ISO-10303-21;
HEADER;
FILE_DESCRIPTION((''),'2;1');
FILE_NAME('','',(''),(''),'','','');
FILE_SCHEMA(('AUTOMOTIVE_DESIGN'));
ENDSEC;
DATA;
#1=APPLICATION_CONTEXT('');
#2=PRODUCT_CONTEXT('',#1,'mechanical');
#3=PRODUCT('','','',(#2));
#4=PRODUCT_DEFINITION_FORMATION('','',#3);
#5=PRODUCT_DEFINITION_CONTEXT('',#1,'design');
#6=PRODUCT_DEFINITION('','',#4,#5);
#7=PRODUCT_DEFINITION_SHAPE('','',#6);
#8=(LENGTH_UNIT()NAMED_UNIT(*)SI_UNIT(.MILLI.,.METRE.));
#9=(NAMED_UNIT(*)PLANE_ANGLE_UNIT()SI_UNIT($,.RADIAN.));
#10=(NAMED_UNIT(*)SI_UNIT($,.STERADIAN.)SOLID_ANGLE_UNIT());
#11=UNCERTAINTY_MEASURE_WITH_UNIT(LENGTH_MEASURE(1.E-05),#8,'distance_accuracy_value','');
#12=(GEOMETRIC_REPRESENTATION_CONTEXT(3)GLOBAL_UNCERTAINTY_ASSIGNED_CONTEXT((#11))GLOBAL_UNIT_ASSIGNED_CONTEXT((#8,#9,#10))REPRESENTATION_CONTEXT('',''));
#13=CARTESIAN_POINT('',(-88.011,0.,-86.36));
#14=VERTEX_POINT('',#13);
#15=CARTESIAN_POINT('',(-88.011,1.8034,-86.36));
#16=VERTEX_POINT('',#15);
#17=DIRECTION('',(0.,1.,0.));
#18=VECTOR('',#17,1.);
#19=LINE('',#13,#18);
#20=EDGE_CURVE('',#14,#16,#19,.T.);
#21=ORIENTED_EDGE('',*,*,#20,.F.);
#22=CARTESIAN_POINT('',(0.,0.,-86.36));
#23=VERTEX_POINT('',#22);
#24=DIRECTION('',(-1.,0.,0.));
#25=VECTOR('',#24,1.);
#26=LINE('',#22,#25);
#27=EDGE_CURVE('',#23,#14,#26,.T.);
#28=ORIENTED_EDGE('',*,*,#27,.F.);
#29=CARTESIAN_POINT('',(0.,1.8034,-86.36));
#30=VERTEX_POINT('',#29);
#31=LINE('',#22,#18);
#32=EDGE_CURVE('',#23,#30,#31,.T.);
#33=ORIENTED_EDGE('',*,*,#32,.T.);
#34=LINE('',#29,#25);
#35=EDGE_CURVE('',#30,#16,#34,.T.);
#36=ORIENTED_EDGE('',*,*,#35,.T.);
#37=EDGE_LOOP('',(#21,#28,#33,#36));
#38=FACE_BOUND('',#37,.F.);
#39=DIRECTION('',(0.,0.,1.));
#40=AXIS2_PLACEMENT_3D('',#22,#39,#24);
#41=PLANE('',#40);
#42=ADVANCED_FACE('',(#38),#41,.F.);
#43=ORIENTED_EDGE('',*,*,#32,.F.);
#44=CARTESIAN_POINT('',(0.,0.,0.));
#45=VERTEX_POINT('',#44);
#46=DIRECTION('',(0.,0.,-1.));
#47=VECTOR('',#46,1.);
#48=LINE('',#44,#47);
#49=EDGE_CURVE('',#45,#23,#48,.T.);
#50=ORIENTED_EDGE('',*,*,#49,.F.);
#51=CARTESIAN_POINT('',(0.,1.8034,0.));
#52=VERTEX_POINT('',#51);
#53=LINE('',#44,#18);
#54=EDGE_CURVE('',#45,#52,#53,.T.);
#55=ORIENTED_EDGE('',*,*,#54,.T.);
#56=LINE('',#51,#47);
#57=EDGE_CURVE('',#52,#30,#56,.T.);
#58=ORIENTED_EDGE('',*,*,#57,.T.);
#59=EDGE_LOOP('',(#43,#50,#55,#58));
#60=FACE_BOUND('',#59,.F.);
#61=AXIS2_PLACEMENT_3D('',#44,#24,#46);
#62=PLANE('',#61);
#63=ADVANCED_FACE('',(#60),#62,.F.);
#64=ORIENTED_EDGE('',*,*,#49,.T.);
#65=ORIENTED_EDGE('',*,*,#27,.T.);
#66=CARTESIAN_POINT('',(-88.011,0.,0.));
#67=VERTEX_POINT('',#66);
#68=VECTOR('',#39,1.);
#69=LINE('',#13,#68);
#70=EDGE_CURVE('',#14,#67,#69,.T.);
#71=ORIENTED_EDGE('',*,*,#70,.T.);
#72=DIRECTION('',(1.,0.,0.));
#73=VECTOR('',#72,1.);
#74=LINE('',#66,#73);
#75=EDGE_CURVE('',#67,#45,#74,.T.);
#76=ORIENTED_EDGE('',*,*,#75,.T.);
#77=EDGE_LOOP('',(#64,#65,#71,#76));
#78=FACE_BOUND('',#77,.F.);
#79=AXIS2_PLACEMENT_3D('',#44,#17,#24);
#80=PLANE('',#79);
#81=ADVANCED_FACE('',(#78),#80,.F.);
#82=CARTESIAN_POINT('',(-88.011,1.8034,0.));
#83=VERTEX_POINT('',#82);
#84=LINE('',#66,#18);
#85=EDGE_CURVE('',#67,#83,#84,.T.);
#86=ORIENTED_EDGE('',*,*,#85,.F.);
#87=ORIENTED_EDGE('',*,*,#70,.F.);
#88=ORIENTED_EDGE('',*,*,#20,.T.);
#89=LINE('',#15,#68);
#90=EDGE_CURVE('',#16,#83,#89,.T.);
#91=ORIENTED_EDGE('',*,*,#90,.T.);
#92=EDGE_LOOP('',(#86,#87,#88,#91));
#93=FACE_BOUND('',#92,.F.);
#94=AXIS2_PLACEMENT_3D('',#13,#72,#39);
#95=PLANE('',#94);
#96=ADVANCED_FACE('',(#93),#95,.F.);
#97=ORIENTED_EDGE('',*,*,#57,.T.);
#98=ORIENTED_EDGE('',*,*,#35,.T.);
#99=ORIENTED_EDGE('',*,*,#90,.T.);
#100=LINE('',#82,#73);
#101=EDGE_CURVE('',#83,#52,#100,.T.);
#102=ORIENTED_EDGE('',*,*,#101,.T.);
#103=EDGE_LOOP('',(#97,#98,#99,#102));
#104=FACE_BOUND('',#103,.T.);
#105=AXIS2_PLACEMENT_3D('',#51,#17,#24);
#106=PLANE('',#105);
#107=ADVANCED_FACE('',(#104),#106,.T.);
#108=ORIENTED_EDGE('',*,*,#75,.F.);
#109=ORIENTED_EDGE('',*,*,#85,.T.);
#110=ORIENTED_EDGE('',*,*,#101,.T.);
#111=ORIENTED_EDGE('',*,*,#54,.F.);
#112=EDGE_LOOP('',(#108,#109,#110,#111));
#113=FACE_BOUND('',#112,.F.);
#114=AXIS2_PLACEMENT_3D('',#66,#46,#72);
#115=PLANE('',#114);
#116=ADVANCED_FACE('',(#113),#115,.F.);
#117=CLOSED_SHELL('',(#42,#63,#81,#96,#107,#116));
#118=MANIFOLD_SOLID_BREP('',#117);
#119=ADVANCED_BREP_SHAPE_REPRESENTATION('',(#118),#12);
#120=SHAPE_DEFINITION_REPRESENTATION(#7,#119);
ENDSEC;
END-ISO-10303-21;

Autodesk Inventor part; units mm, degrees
ref_plane "YZ Plane" through (0, 0, 0) normal (1, 0, 0) x (0, 1, 0)
ref_plane "XZ Plane" through (0, 0, 0) normal (0, 1, 0) x (-1, 0, 0)
ref_plane "XY Plane" through (0, 0, 0) normal (0, 0, 1) x (1, 0, 0)
sketch "Sketch1" plane through (0, 0, 0) normal (0, 1, 0) x (-1, 0, 0)
  line L0 (0, 0) -> (0, -86.36)
  line L1 (0, -86.36) -> (88.011, -86.36)
  line L2 (88.011, -86.36) -> (88.011, 0)
  line L3 (88.011, 0) -> (0, 0)
  dimension "d0" = 86.36
  dimension "d1" = 88.011
extrude "Extrusion1" add sketch "Sketch1" along normal blind 1.8034
properties part number "Pickup Rubber" material "Rubber"
